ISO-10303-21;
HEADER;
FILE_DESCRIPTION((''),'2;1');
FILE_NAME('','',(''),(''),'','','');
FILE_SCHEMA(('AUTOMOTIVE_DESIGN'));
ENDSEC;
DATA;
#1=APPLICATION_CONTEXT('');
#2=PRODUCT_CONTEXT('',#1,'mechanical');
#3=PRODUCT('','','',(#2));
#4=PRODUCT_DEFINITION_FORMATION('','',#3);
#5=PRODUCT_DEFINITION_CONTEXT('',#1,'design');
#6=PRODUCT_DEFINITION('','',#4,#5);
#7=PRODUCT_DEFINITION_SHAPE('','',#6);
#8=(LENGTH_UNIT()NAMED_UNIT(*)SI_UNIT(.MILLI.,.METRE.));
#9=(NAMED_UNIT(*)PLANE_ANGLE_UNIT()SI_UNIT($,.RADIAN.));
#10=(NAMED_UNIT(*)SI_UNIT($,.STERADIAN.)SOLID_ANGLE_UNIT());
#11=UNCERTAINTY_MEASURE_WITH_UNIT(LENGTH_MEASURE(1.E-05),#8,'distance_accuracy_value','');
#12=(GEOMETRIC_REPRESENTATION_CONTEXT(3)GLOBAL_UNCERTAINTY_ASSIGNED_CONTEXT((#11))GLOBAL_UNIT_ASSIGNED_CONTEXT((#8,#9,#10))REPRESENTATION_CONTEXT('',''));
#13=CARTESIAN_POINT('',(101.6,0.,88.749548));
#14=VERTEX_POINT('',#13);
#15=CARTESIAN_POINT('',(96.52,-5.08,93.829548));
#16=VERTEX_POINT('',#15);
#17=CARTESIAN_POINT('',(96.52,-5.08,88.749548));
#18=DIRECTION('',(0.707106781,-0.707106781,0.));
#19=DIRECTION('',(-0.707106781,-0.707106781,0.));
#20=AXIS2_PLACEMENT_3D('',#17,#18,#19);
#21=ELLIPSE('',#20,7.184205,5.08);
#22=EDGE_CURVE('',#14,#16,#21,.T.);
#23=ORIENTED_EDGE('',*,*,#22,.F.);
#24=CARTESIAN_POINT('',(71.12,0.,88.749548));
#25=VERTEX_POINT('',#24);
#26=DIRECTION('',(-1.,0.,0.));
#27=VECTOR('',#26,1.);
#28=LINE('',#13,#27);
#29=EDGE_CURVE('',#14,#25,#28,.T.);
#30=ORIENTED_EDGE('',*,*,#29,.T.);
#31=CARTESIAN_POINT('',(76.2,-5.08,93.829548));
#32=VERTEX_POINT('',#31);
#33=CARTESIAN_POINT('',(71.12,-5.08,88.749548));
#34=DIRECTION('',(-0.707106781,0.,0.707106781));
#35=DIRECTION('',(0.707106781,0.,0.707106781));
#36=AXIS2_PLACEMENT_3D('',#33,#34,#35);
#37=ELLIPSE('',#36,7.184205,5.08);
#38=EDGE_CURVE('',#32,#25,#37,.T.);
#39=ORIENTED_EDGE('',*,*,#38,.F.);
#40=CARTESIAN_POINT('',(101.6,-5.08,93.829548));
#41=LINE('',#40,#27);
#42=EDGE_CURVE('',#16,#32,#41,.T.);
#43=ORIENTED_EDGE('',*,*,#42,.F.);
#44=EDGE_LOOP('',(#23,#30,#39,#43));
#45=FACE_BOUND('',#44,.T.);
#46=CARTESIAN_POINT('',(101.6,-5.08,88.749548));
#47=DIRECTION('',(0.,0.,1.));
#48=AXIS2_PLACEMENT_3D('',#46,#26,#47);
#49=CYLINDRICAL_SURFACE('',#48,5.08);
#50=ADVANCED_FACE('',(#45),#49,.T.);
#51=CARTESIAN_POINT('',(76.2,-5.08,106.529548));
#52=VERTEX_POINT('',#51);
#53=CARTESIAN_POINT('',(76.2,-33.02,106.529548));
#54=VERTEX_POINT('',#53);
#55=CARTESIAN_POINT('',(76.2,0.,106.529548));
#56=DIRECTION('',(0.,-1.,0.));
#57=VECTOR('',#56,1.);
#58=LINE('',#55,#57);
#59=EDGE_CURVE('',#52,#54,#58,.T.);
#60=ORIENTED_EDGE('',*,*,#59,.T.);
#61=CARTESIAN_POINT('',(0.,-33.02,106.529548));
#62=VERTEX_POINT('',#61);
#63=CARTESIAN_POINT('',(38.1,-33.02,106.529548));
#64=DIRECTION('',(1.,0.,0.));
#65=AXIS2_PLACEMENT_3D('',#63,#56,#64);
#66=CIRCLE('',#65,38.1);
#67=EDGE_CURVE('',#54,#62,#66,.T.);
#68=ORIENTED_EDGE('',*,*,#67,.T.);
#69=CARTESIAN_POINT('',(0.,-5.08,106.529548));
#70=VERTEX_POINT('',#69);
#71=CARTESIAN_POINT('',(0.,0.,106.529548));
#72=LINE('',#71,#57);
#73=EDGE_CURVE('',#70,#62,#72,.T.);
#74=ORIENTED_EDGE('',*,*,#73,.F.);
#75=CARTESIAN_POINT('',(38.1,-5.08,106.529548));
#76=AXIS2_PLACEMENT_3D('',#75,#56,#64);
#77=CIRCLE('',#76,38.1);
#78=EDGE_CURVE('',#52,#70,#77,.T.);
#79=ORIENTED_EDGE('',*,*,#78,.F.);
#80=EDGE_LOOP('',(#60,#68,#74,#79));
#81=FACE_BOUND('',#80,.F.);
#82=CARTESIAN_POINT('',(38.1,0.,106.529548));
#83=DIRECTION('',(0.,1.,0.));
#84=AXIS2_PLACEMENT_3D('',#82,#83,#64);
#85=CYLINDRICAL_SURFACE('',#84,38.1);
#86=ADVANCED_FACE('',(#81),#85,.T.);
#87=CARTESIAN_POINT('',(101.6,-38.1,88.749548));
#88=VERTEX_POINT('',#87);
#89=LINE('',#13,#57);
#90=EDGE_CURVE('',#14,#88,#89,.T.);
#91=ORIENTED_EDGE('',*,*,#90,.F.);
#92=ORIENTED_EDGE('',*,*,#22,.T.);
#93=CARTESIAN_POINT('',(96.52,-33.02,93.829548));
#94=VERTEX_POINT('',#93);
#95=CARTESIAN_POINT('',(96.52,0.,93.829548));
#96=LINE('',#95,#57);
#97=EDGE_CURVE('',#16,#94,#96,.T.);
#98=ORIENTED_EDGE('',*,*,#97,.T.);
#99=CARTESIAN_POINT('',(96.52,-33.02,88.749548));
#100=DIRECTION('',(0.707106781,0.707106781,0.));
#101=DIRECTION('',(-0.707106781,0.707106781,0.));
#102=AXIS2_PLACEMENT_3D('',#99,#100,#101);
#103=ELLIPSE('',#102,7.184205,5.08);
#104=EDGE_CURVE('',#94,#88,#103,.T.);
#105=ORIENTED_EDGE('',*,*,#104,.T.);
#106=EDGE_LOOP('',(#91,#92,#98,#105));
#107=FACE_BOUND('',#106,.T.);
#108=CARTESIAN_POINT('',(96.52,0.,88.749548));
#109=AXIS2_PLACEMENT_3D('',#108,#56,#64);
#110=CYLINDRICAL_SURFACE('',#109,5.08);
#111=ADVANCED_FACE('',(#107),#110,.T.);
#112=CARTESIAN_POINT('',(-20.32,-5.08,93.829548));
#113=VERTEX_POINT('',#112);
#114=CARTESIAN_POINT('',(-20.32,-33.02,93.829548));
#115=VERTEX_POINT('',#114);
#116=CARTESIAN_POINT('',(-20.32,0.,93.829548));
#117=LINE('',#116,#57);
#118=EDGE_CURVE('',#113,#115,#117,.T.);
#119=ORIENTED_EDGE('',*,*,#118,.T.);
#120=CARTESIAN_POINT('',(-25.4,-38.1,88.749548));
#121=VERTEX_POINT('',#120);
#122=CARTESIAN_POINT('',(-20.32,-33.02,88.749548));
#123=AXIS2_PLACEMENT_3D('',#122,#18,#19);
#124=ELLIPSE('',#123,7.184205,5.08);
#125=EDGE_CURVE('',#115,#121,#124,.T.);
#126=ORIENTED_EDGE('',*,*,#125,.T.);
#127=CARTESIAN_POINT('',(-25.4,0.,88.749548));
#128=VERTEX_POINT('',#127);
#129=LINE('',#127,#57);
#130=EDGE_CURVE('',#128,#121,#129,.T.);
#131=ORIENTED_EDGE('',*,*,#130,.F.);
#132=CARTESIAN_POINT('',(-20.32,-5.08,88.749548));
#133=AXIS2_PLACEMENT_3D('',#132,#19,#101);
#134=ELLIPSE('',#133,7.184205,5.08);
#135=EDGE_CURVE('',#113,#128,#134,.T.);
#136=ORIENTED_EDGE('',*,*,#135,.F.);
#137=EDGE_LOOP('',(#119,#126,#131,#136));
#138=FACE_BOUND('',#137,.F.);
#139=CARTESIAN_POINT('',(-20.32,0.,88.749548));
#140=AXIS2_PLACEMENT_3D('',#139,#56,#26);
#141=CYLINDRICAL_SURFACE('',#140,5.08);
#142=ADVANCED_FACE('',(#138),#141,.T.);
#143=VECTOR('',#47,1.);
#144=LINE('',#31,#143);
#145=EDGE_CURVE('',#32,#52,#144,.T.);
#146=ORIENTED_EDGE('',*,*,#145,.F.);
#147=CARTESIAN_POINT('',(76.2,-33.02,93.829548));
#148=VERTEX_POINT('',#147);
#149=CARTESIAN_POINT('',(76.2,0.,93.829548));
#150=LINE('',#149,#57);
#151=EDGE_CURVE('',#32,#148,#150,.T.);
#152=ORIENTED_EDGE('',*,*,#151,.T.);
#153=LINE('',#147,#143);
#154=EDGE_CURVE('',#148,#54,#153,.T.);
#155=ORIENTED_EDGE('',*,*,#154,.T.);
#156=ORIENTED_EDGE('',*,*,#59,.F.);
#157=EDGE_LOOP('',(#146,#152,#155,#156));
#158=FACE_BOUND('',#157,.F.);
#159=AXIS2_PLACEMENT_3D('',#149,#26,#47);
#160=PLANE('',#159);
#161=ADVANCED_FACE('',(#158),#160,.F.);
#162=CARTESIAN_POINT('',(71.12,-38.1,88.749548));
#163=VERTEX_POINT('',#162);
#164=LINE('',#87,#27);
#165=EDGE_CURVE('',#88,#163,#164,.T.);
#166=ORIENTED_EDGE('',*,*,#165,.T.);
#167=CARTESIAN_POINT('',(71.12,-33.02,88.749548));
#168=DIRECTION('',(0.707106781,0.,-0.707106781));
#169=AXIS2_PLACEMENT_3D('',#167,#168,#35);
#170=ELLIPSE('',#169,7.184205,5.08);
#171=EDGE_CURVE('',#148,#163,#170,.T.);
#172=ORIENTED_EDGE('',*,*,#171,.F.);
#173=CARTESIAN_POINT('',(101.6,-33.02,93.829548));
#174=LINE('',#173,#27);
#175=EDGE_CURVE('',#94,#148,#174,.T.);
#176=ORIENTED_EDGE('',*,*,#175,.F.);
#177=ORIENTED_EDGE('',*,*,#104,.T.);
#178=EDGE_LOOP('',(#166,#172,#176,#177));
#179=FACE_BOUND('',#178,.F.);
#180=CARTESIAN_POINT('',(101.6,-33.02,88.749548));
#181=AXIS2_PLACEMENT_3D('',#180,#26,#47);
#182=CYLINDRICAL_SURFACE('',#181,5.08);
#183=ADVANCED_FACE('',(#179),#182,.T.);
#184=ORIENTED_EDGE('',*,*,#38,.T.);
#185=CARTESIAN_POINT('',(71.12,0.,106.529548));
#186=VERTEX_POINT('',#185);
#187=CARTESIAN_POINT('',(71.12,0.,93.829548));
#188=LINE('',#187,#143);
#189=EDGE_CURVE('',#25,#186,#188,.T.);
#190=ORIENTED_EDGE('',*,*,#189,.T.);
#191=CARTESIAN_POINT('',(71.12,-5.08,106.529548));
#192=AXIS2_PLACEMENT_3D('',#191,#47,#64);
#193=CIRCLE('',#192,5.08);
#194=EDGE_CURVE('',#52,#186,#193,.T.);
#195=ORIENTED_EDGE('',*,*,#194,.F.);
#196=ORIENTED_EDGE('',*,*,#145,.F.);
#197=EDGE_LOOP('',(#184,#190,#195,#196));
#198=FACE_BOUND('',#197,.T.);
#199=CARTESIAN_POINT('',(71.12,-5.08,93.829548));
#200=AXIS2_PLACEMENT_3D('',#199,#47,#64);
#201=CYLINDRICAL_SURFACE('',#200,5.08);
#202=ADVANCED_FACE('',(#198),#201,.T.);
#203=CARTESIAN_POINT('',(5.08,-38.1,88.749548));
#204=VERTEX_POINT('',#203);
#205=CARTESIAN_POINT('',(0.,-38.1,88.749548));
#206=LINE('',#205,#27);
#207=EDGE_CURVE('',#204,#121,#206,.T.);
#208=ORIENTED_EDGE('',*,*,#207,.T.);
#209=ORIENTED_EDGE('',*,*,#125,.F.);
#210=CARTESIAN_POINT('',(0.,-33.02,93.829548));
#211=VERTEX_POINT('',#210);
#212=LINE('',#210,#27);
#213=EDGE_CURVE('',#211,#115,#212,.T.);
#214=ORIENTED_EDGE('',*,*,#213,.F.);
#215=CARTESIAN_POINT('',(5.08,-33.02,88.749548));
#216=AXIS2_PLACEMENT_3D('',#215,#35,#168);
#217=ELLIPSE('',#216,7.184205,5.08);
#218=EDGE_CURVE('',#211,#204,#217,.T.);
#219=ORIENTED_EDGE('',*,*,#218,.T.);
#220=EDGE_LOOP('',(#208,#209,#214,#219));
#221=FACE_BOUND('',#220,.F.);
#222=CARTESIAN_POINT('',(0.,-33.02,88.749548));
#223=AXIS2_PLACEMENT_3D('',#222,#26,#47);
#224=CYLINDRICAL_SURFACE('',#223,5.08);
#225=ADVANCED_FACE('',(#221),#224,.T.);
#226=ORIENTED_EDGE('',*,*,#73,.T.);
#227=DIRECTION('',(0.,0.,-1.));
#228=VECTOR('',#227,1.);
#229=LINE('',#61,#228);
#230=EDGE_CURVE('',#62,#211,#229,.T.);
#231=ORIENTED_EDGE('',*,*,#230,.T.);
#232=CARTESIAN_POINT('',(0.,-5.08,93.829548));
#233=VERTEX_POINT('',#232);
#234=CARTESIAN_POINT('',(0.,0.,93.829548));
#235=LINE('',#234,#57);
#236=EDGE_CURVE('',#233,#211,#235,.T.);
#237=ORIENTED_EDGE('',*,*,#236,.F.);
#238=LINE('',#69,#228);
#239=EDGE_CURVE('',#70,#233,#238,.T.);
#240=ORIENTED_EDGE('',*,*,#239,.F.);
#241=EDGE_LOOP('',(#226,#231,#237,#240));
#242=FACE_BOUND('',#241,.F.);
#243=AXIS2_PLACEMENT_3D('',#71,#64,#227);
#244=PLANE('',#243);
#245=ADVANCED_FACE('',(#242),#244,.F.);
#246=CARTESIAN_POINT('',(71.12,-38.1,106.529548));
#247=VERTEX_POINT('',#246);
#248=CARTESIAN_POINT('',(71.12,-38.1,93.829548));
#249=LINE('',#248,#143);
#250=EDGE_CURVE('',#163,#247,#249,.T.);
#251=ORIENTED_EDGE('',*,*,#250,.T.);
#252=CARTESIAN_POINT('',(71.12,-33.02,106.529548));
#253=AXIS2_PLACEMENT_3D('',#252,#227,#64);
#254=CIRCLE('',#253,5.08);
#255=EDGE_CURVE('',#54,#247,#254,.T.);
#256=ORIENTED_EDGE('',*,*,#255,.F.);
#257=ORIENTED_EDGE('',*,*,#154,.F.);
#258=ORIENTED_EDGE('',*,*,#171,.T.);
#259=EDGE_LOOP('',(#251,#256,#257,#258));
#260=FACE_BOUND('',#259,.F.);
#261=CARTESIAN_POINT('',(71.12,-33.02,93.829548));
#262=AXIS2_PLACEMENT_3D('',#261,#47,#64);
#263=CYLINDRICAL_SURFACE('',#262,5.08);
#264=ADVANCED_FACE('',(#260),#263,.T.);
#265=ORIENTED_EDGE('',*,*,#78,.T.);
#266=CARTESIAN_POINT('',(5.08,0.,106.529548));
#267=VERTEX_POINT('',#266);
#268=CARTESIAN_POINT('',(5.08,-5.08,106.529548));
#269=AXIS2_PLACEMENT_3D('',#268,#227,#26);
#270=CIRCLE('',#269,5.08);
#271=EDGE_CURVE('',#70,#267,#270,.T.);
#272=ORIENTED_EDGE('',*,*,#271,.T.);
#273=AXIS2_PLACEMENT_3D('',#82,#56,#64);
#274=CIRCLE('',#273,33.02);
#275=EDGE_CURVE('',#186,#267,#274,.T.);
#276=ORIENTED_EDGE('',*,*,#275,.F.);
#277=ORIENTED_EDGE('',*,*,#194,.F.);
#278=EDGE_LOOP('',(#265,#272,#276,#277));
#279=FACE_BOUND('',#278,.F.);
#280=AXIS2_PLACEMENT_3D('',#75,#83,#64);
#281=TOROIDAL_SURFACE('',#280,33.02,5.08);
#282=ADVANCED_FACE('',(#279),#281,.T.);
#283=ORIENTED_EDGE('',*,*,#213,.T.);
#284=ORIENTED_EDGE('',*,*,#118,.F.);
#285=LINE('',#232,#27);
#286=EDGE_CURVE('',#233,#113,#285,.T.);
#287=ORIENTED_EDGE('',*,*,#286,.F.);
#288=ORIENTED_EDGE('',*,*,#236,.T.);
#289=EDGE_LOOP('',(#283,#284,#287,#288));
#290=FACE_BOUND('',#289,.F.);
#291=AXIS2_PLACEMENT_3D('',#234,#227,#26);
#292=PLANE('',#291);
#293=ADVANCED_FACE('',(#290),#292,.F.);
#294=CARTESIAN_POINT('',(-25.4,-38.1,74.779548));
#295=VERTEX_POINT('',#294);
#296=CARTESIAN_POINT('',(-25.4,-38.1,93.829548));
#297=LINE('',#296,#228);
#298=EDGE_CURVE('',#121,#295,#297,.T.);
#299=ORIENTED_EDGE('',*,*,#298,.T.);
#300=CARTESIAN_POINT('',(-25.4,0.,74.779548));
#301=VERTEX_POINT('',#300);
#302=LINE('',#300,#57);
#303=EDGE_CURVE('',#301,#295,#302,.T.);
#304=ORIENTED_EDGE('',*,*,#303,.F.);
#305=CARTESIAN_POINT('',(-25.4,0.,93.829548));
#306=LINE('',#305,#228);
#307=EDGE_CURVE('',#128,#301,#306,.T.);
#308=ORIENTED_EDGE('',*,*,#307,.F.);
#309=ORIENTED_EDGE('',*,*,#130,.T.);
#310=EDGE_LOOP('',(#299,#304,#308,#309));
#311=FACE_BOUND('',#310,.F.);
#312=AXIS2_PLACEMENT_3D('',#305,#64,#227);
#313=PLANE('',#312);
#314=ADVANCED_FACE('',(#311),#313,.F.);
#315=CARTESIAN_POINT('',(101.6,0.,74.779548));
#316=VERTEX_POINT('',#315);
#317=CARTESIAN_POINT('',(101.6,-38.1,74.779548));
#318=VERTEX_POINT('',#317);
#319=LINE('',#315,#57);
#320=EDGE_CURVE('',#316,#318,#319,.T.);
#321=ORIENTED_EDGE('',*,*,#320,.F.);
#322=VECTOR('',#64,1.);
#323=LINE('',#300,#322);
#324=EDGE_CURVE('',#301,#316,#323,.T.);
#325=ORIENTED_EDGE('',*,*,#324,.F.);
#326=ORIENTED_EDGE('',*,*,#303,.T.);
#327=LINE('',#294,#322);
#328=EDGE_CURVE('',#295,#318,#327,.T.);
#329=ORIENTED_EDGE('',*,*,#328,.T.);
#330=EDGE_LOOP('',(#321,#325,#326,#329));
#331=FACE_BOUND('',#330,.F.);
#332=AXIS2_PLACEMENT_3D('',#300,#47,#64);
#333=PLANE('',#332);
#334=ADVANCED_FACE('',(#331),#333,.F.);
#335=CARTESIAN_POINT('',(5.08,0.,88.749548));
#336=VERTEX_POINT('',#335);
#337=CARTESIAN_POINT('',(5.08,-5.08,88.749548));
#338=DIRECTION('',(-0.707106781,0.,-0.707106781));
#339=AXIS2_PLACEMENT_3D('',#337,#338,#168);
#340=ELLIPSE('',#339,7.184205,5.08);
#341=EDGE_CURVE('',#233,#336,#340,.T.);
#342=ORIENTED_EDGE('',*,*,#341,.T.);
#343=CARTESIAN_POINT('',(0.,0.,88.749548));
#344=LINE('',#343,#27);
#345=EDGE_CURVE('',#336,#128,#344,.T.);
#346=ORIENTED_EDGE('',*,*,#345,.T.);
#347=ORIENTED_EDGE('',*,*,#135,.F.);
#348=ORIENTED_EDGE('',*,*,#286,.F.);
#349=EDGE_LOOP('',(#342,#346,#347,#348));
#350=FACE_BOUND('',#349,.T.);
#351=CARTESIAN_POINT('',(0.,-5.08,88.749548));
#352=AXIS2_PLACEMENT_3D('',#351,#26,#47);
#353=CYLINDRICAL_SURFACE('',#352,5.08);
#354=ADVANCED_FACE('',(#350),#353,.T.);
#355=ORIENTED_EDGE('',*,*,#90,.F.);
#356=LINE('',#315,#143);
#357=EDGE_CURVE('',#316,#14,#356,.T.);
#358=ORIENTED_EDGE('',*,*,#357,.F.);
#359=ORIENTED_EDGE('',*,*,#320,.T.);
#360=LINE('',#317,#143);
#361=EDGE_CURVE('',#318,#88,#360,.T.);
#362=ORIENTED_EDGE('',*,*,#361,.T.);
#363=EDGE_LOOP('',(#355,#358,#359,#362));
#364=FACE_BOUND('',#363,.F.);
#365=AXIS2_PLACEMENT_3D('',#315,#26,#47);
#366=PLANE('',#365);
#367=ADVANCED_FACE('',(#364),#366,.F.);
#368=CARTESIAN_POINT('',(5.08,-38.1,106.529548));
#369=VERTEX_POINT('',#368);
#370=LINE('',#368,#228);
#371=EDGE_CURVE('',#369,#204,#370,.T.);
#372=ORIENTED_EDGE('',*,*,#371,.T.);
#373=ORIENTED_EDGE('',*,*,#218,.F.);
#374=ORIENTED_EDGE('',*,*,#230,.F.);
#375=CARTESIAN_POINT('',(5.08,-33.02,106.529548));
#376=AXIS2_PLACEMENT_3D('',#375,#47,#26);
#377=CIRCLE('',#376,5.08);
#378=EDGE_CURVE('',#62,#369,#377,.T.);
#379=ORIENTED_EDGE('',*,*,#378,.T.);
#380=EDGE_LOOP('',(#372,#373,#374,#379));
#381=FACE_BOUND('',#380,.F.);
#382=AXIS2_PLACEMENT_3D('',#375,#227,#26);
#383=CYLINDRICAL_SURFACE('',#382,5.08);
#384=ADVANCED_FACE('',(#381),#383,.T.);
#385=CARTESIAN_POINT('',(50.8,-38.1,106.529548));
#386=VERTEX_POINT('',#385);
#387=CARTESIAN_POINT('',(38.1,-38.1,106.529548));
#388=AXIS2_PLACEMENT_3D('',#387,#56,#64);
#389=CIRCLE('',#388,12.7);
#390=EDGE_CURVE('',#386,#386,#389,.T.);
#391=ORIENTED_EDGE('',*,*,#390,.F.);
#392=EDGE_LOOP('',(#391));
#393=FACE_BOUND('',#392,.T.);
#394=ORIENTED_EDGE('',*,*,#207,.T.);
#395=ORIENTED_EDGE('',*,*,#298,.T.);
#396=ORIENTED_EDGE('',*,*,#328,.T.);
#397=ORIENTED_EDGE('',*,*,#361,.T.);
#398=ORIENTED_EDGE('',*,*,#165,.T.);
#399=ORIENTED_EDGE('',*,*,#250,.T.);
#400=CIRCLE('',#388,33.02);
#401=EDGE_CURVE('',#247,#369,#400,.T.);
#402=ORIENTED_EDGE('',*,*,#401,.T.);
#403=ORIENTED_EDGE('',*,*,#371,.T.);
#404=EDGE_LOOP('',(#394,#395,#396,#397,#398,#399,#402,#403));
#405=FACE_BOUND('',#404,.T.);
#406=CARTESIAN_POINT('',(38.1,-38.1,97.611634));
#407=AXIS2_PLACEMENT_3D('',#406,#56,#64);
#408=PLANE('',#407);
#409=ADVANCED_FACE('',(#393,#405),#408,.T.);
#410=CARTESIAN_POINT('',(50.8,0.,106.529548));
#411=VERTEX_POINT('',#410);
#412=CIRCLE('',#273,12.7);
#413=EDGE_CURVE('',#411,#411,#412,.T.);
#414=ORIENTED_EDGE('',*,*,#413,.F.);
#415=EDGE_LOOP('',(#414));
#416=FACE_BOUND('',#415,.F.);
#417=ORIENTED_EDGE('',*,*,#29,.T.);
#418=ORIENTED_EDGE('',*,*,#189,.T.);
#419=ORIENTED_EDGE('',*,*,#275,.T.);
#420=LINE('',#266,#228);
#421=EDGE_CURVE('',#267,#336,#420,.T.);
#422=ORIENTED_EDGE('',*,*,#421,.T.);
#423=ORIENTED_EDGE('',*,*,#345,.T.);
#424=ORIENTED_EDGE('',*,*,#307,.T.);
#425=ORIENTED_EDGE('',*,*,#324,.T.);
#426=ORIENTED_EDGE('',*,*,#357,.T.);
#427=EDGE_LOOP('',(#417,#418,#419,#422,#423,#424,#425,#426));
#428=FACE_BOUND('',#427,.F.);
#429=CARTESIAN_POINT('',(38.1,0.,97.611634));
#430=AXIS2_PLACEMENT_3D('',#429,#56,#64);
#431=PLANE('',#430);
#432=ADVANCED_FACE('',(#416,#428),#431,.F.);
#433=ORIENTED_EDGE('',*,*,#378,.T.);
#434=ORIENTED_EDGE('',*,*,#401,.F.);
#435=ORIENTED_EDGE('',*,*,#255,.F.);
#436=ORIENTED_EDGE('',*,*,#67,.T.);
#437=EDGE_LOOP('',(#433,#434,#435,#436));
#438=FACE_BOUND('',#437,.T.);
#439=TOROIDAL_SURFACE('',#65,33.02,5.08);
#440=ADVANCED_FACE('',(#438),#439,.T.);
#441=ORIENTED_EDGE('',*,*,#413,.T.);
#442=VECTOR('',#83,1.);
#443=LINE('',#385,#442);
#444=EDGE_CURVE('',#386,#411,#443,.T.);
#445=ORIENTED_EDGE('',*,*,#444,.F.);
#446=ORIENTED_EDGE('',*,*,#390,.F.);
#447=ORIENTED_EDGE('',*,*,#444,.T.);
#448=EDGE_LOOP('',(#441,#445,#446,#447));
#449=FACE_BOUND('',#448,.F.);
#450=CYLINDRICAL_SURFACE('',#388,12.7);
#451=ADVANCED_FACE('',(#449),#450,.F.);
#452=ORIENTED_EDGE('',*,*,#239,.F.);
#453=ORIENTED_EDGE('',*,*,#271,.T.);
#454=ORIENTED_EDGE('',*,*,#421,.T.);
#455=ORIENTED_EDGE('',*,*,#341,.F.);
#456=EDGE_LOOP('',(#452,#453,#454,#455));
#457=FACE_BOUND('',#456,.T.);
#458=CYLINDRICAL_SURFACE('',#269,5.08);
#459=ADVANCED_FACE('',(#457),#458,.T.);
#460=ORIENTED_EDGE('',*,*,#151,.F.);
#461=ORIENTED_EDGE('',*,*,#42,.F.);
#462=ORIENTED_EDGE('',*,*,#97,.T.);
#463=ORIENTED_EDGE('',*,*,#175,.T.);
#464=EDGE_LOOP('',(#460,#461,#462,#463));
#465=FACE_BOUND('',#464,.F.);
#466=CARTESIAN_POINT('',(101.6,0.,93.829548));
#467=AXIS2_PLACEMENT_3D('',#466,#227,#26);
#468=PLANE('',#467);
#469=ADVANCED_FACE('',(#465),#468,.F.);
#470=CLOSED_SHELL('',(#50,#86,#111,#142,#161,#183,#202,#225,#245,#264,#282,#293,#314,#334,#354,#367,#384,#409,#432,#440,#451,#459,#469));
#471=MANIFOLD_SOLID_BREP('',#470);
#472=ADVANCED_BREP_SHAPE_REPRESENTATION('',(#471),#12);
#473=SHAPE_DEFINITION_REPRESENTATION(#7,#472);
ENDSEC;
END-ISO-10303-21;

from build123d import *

# Parameters (mm, degrees)
F1_DEPTH = 38.1
F2_R     = 5.08
F3_R     = 12.7
F4_DEPTH = 38.1


with BuildPart() as f1:
    # F0 (on Front) → F1 (new body)
    with BuildSketch(Plane.XZ):
        with BuildLine():
            Line((-25.4, 93.829548), (-25.4, 74.779548))
            Line((-25.4, 74.779548), (101.6, 74.779548))
            Line((101.6, 74.779548), (101.6, 93.829548))
            Line((101.6, 93.829548), (76.2, 93.829548))
            Line((76.2, 93.829548), (76.2, 106.529548))
            ThreePointArc((76.2, 106.529548), (38.1, 144.629548), (0, 106.529548))
            Line((0, 106.529548), (0, 93.829548))
            Line((0, 93.829548), (-25.4, 93.829548))
        make_face()
    extrude(amount=F1_DEPTH)

    # F2
    f2_edges = [f1.edges().sort_by_distance(p)[0] for p in [
        (38.1, -38.1, 144.629548),
        (38.1, 0, 144.629548),
        (88.9, -38.1, 93.829548),
        (101.6, -19.05, 93.829548),
        (88.9, 0, 93.829548),
        (-12.7, -38.1, 93.829548),
        (-12.7, 0, 93.829548),
        (-25.4, -19.05, 93.829548),
    ]]
    fillet(f2_edges, radius=F2_R)

    # F3 (on face) → F4 (cut)
    with BuildSketch(Plane.XZ.offset(38.1)):
        with Locations((38.1, 106.529548)):
            Circle(F3_R)
    extrude(amount=-F4_DEPTH, mode=Mode.SUBTRACT)


solid = f1.part
